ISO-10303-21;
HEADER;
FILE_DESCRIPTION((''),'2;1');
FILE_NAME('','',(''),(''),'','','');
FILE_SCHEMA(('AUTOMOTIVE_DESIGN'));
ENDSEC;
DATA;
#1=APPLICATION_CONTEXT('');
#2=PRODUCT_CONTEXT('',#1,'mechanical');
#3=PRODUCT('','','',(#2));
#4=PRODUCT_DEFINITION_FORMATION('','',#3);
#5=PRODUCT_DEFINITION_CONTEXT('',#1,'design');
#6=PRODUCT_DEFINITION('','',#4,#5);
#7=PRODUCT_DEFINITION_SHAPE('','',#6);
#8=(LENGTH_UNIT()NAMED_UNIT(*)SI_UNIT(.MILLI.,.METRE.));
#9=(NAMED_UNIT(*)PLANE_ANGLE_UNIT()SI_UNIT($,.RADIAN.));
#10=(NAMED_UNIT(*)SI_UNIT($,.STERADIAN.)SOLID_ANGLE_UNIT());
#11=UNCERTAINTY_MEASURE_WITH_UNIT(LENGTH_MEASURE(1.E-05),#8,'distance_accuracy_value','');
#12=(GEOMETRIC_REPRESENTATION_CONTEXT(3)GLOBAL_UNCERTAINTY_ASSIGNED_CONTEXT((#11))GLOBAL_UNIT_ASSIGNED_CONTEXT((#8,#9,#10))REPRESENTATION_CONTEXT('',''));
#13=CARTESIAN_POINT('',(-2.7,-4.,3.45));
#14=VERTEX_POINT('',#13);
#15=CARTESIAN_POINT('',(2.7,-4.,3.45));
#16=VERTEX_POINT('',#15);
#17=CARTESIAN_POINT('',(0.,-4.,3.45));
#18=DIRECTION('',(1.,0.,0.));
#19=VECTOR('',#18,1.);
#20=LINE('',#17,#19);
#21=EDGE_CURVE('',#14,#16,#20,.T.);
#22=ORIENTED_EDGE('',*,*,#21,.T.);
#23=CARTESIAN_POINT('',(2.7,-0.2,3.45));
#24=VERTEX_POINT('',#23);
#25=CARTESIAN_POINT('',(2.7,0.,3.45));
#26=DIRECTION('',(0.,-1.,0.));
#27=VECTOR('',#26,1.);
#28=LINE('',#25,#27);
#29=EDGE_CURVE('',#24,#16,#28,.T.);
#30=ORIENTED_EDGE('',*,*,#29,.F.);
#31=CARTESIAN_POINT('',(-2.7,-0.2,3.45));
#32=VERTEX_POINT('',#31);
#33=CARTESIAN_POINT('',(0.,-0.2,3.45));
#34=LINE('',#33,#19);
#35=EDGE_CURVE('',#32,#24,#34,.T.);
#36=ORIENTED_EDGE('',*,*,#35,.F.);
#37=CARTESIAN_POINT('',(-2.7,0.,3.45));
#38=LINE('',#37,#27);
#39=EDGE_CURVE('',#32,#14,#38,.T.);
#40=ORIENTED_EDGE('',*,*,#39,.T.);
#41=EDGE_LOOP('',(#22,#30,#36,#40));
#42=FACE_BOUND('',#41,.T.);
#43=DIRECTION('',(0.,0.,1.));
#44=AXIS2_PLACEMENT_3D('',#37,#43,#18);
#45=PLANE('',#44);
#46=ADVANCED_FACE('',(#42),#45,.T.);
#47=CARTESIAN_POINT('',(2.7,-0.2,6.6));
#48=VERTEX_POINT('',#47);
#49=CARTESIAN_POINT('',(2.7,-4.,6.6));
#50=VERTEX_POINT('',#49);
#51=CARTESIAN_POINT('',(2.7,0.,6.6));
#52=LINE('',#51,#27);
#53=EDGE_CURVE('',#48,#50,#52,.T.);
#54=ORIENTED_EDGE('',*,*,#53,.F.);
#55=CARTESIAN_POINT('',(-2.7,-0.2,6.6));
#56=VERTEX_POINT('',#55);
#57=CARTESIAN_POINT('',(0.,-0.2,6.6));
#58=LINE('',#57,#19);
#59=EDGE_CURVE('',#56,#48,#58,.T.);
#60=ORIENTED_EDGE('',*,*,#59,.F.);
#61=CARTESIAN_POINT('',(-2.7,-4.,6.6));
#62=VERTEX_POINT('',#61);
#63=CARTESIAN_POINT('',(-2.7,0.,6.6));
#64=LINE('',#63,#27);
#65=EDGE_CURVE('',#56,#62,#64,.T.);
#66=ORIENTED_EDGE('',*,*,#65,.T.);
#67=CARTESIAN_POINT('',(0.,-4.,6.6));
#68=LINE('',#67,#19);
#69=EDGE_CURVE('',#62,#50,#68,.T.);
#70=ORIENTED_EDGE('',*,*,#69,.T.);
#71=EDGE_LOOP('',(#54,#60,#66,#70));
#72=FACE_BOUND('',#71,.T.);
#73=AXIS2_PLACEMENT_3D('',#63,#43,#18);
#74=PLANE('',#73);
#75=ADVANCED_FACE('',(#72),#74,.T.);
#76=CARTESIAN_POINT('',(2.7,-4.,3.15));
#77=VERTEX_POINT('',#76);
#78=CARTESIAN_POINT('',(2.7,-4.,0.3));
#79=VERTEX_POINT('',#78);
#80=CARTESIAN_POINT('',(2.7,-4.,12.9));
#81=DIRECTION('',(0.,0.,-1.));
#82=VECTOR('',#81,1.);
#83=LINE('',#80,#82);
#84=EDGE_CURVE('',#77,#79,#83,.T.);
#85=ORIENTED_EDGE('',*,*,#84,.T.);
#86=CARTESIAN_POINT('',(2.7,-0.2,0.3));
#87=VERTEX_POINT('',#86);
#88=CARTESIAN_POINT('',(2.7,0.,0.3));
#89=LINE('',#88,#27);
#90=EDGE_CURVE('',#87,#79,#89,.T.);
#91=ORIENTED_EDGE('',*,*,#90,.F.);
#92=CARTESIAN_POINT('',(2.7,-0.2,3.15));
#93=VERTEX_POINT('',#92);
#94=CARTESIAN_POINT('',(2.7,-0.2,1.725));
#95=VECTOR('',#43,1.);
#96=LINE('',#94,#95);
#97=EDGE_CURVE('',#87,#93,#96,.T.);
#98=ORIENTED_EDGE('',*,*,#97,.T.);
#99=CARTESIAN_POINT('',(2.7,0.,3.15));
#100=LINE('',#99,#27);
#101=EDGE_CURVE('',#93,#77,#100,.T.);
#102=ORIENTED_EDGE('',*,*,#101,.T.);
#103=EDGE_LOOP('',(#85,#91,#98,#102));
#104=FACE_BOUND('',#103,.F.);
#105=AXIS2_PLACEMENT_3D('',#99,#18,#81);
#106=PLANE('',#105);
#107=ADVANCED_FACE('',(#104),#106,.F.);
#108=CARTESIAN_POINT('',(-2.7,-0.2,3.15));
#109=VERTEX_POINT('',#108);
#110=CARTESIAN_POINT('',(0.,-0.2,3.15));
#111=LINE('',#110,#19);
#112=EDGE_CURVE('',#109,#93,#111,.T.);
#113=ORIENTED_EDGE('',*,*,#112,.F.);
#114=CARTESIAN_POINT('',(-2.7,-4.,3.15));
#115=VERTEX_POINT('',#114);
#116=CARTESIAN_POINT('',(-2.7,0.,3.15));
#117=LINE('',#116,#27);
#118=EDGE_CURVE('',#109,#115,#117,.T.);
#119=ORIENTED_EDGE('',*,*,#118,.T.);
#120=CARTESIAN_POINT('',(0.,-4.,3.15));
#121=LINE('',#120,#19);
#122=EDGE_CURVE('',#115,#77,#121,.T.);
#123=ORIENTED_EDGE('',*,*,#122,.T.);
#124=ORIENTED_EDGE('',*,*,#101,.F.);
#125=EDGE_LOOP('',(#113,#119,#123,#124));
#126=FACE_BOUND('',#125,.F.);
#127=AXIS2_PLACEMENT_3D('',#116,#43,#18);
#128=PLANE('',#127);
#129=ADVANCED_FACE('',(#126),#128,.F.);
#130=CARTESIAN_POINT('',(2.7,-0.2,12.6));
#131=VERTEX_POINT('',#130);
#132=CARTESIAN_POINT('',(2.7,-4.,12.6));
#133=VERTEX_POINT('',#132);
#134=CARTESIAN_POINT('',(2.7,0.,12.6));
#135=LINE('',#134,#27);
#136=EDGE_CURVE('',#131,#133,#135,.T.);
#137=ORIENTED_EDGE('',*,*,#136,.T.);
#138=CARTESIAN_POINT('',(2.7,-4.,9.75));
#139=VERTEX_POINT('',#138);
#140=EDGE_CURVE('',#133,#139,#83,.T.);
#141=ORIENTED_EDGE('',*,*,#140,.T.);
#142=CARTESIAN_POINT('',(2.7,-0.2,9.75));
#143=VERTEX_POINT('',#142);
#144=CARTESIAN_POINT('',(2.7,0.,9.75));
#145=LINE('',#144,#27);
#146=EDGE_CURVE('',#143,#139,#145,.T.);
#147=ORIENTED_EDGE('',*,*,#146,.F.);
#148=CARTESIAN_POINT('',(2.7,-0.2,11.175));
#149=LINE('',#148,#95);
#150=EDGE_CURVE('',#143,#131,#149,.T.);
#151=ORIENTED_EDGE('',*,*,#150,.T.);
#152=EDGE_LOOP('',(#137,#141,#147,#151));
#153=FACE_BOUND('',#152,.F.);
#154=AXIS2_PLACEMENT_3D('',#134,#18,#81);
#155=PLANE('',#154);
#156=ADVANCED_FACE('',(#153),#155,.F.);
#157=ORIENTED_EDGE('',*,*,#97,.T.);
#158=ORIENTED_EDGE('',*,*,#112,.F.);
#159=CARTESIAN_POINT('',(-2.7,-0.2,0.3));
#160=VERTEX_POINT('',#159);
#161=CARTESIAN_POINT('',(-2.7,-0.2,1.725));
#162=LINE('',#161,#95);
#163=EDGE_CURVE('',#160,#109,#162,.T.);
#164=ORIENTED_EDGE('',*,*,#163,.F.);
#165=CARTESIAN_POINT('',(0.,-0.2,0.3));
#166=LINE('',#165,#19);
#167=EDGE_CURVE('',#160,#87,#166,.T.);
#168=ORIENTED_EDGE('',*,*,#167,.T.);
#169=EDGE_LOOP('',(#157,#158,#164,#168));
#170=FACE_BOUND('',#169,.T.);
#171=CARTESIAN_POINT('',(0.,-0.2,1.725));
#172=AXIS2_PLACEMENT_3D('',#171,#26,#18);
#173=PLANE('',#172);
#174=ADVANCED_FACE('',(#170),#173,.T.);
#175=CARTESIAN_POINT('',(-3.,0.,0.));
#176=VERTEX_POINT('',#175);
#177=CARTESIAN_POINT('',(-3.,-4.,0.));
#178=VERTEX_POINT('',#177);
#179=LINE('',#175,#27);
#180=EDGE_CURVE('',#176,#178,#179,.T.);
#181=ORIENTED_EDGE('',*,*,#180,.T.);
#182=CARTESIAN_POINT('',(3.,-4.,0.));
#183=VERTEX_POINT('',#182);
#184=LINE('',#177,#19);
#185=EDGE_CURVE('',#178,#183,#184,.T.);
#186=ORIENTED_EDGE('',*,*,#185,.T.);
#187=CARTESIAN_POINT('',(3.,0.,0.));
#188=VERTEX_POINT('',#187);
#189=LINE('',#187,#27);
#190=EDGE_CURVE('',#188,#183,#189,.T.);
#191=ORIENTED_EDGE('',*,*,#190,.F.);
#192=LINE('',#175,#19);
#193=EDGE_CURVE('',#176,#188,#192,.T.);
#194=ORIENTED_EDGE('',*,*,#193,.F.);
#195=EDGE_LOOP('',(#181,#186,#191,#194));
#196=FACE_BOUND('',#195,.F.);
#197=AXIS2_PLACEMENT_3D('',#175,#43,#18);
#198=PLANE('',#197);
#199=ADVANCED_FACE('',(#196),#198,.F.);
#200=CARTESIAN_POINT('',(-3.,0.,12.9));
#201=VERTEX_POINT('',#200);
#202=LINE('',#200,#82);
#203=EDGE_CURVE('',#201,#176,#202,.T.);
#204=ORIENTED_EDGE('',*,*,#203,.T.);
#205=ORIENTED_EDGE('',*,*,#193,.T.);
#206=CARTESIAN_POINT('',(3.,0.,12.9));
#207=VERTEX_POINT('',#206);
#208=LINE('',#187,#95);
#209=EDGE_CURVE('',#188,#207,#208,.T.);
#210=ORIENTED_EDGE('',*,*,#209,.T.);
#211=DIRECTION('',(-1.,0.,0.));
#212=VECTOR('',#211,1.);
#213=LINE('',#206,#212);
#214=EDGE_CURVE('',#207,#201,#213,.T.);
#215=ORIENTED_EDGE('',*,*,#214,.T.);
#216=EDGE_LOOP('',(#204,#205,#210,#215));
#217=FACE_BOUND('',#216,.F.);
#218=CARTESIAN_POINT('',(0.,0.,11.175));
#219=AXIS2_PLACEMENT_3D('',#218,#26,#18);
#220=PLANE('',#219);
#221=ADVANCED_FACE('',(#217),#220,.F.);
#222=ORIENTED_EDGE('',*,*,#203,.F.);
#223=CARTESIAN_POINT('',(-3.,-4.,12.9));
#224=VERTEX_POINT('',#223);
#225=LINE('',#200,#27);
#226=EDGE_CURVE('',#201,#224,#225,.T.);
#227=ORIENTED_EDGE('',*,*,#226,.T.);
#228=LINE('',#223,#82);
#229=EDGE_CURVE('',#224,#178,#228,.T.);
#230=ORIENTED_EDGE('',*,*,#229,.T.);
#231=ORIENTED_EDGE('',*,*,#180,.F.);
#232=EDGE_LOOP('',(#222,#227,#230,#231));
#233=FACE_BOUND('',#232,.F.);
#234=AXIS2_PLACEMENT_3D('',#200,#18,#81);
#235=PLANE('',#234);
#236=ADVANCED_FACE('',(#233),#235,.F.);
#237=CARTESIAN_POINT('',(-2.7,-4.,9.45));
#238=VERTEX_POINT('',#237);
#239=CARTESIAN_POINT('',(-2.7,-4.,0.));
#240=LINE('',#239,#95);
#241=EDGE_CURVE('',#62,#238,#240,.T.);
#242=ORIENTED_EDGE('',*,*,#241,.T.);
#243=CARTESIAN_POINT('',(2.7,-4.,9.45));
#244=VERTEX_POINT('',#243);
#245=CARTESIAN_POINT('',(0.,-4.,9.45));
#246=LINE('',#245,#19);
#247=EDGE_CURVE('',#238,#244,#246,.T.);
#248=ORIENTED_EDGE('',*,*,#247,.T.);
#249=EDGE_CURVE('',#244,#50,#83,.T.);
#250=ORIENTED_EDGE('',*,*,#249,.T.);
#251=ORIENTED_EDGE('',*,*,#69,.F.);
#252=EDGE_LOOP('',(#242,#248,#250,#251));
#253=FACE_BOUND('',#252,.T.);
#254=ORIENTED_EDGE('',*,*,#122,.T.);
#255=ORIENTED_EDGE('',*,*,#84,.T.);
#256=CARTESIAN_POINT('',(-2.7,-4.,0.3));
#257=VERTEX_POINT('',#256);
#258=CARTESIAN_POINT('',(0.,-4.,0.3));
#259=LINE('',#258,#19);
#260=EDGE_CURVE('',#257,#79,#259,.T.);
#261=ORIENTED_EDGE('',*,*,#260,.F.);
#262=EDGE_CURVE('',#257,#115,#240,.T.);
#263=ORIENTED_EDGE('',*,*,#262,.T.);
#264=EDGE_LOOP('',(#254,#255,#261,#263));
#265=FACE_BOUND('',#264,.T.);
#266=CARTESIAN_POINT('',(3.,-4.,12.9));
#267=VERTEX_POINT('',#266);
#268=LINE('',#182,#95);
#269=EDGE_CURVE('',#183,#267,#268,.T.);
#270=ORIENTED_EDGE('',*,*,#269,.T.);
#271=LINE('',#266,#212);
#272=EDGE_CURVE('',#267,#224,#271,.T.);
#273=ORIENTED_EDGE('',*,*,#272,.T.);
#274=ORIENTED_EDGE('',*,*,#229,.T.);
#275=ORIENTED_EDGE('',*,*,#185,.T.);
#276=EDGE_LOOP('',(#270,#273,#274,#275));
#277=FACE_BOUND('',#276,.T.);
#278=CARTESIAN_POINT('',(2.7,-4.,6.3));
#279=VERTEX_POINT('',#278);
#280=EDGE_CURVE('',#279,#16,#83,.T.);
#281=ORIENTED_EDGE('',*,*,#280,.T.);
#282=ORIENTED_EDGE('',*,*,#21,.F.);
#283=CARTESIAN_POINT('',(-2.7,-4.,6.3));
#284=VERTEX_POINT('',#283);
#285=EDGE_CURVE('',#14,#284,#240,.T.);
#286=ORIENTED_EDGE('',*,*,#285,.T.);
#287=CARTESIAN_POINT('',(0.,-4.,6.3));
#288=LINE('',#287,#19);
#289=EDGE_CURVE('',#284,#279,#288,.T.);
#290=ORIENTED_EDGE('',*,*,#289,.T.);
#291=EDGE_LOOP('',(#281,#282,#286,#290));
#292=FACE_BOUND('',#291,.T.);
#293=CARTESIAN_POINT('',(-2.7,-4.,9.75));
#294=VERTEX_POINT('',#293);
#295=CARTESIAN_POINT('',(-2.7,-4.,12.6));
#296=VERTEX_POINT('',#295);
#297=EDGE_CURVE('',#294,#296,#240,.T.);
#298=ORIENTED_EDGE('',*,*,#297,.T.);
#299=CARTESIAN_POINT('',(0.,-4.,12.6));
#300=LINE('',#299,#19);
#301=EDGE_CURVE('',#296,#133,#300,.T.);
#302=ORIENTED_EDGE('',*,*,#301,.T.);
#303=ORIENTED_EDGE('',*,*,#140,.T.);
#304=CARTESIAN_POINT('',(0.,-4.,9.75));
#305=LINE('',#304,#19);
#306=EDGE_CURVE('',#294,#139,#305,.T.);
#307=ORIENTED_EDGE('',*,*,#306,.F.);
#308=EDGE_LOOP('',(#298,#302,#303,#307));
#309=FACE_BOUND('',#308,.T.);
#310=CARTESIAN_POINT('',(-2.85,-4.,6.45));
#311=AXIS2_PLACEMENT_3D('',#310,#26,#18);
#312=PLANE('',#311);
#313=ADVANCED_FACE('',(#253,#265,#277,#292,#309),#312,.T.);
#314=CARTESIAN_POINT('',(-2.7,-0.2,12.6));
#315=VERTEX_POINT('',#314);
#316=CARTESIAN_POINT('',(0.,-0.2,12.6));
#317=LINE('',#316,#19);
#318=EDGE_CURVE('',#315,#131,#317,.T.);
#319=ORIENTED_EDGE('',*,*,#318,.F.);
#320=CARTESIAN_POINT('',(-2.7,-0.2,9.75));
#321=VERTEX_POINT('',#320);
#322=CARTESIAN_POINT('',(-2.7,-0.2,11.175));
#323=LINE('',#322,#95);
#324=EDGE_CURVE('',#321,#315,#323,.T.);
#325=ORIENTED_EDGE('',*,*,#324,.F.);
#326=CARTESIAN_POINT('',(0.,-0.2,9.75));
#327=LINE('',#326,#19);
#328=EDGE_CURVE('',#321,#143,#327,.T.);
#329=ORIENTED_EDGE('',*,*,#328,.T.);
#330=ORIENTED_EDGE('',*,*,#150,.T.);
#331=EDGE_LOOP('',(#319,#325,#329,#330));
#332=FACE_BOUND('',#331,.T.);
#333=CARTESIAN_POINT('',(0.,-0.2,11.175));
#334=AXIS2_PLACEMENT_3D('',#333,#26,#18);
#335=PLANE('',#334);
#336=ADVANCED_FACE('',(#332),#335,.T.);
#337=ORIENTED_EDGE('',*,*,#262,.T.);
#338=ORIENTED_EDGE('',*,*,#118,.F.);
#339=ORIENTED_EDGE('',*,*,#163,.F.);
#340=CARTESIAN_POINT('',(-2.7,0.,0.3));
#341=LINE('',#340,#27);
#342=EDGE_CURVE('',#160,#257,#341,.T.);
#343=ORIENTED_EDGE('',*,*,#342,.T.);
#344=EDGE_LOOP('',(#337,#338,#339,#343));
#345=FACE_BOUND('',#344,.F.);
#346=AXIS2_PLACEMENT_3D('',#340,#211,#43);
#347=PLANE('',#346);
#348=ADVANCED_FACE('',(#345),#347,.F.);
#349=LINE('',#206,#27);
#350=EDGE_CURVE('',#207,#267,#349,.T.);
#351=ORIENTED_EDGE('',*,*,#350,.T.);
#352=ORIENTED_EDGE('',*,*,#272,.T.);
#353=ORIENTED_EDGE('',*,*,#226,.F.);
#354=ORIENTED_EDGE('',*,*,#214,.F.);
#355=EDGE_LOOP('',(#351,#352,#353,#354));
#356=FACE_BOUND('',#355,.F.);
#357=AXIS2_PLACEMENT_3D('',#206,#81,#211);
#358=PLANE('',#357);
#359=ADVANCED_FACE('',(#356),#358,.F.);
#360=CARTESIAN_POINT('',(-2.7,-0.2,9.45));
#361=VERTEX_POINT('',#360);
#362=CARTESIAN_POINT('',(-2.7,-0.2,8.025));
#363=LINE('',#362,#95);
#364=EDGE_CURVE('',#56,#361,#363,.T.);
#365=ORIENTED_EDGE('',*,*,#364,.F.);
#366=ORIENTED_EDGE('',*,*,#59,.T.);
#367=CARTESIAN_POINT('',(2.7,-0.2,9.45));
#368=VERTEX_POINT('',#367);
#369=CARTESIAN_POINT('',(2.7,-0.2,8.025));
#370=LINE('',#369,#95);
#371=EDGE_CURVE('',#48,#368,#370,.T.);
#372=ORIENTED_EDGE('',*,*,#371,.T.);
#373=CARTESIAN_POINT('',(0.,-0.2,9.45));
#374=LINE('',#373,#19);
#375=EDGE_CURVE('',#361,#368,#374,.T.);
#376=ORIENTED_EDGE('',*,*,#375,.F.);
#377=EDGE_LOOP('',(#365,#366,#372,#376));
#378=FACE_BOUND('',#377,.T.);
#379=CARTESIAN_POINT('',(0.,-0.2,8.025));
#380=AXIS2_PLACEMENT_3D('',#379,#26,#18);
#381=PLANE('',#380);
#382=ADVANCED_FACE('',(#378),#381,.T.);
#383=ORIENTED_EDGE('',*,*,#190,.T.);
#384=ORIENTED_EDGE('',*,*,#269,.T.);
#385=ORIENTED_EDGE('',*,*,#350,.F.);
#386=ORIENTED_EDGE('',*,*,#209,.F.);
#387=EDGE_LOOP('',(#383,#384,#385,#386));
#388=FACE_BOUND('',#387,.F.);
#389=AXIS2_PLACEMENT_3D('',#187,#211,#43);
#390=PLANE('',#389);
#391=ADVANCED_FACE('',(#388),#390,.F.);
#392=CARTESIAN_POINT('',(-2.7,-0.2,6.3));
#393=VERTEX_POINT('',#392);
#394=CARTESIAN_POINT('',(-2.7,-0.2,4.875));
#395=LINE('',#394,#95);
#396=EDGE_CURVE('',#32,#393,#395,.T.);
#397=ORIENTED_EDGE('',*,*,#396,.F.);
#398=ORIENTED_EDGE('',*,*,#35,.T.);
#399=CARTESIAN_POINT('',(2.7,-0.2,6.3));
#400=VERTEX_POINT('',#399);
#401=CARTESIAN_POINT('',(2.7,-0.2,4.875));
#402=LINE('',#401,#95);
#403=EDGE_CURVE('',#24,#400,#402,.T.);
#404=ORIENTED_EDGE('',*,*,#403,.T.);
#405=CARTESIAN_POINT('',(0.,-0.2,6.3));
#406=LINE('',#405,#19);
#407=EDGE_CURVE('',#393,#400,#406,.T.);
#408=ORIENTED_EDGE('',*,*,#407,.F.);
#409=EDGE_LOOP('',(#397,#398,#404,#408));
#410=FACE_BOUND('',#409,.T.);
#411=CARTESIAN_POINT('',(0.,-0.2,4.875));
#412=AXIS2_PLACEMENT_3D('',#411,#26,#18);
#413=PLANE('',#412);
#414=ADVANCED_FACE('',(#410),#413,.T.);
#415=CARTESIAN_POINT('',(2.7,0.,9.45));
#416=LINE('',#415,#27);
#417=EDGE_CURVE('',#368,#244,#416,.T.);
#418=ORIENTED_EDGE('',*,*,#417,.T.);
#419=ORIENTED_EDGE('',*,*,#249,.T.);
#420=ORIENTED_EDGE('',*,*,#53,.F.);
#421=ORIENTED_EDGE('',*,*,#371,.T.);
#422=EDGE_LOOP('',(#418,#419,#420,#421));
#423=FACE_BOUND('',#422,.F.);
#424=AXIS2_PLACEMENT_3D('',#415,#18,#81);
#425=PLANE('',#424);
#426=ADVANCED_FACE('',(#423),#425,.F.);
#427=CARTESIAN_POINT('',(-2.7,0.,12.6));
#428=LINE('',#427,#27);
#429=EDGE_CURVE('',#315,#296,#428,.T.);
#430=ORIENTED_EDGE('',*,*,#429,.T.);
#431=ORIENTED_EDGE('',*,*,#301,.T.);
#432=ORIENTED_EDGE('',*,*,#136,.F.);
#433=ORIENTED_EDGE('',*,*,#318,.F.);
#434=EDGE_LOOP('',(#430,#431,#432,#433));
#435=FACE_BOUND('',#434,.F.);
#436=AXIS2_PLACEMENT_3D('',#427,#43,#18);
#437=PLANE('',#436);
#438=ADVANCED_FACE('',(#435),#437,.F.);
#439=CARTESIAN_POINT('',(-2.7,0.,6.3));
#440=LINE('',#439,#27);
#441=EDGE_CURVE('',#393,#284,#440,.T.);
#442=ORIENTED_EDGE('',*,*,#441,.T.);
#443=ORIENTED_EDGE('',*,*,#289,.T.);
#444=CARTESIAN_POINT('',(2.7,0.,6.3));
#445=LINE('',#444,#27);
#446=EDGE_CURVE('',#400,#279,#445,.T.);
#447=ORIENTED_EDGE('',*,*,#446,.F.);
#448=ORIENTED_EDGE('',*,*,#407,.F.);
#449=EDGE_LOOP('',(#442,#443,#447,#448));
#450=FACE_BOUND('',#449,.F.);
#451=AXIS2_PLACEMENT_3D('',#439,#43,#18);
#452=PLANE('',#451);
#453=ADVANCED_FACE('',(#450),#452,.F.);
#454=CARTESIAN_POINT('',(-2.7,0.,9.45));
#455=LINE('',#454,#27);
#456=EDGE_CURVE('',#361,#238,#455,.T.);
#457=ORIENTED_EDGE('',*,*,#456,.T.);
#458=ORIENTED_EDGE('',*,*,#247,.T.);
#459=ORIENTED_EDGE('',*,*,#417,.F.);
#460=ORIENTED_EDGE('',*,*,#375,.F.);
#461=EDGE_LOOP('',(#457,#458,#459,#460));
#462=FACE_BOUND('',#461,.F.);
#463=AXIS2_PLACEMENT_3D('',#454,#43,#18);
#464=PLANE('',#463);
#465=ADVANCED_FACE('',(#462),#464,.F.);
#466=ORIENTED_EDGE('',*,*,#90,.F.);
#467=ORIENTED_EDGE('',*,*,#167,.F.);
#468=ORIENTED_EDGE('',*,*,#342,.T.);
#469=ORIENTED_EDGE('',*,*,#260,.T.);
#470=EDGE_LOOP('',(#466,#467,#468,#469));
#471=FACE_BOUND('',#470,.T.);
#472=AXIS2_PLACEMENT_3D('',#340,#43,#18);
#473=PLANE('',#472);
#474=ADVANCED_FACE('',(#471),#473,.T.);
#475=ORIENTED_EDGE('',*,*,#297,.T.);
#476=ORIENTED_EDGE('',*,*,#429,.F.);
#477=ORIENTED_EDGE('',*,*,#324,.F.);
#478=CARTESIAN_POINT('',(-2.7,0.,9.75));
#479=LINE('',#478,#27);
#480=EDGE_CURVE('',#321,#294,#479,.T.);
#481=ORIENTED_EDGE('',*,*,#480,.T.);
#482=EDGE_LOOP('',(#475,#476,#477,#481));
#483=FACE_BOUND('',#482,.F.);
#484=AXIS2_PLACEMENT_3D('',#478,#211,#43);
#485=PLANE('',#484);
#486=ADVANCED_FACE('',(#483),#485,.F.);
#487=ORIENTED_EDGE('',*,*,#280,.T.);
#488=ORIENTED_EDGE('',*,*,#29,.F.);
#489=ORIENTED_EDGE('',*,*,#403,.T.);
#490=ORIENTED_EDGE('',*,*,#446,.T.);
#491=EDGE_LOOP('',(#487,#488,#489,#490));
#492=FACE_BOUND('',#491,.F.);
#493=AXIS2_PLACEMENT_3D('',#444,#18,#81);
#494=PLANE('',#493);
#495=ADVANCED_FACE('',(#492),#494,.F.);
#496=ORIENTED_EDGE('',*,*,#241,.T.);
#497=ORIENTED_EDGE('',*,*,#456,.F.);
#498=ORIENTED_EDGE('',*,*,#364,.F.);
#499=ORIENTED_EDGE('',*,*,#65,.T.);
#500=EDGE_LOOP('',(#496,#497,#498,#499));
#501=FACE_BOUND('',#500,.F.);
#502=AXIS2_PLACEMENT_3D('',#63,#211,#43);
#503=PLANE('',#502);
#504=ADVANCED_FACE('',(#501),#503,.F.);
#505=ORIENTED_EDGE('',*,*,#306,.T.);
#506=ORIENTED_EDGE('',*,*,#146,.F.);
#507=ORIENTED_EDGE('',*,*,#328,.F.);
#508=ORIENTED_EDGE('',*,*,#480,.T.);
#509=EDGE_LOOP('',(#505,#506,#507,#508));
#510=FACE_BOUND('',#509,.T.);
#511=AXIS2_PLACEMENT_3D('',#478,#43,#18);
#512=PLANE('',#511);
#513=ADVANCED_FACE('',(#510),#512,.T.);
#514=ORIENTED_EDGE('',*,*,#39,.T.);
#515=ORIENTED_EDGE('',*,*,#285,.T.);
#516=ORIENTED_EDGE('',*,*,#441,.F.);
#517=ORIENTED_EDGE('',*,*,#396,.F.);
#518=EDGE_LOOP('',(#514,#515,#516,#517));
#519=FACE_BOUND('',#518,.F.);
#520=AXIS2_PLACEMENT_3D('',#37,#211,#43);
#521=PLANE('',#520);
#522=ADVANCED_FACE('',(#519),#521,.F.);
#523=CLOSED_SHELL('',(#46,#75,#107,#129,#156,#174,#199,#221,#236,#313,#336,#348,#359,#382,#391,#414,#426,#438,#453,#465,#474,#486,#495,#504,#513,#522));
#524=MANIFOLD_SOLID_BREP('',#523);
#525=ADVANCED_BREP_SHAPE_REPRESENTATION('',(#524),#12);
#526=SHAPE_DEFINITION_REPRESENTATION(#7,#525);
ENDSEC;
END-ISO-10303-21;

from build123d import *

# Parameters (mm, degrees)
F0_W     = 5.4
F0_H     = 0.3
F1_DEPTH = 4
F0_H_2   = 2.85
F2_DEPTH = 0.2


with BuildPart() as f1:
    # F0 (on Front) → F1 (new body)
    with BuildSketch(Plane.XZ):
        Polygon((-3, 12.9), (-3, 0), (-2.7, 0), (-2.7, 0.3), (-2.7, 3.15), (-2.7, 3.45), (-2.7, 6.3), (-2.7, 6.6), (-2.7, 9.45), (-2.7, 9.75), (-2.7, 12.6), (-2.7, 12.9), align=None)
        Polygon((2.7, 0.3), (2.7, 0), (3, 0), (3, 12.9), (2.7, 12.9), (2.7, 12.6), (2.7, 9.75), (2.7, 9.45), (2.7, 6.6), (2.7, 6.3), (2.7, 3.45), (2.7, 3.15), align=None)
        with Locations((0, 12.75)):
            Rectangle(F0_W, F0_H)
        with Locations((0, 9.6)):
            Rectangle(F0_W, F0_H)
        with Locations((0, 6.45)):
            Rectangle(F0_W, F0_H)
        with Locations((0, 3.3)):
            Rectangle(F0_W, F0_H)
        with Locations((0, 0.15)):
            Rectangle(F0_W, F0_H)
    extrude(amount=F1_DEPTH)

    # F0 (on Front) → F2 (join)
    with BuildSketch(Plane.XZ):
        with Locations((0, 11.175)):
            Rectangle(F0_W, F0_H_2)
        with Locations((0, 4.875)):
            Rectangle(F0_W, F0_H_2)
        with Locations((0, 1.725)):
            Rectangle(F0_W, F0_H_2)
        with Locations((0, 8.025)):
            Rectangle(F0_W, F0_H_2)
    extrude(amount=F2_DEPTH)


solid = f1.part
